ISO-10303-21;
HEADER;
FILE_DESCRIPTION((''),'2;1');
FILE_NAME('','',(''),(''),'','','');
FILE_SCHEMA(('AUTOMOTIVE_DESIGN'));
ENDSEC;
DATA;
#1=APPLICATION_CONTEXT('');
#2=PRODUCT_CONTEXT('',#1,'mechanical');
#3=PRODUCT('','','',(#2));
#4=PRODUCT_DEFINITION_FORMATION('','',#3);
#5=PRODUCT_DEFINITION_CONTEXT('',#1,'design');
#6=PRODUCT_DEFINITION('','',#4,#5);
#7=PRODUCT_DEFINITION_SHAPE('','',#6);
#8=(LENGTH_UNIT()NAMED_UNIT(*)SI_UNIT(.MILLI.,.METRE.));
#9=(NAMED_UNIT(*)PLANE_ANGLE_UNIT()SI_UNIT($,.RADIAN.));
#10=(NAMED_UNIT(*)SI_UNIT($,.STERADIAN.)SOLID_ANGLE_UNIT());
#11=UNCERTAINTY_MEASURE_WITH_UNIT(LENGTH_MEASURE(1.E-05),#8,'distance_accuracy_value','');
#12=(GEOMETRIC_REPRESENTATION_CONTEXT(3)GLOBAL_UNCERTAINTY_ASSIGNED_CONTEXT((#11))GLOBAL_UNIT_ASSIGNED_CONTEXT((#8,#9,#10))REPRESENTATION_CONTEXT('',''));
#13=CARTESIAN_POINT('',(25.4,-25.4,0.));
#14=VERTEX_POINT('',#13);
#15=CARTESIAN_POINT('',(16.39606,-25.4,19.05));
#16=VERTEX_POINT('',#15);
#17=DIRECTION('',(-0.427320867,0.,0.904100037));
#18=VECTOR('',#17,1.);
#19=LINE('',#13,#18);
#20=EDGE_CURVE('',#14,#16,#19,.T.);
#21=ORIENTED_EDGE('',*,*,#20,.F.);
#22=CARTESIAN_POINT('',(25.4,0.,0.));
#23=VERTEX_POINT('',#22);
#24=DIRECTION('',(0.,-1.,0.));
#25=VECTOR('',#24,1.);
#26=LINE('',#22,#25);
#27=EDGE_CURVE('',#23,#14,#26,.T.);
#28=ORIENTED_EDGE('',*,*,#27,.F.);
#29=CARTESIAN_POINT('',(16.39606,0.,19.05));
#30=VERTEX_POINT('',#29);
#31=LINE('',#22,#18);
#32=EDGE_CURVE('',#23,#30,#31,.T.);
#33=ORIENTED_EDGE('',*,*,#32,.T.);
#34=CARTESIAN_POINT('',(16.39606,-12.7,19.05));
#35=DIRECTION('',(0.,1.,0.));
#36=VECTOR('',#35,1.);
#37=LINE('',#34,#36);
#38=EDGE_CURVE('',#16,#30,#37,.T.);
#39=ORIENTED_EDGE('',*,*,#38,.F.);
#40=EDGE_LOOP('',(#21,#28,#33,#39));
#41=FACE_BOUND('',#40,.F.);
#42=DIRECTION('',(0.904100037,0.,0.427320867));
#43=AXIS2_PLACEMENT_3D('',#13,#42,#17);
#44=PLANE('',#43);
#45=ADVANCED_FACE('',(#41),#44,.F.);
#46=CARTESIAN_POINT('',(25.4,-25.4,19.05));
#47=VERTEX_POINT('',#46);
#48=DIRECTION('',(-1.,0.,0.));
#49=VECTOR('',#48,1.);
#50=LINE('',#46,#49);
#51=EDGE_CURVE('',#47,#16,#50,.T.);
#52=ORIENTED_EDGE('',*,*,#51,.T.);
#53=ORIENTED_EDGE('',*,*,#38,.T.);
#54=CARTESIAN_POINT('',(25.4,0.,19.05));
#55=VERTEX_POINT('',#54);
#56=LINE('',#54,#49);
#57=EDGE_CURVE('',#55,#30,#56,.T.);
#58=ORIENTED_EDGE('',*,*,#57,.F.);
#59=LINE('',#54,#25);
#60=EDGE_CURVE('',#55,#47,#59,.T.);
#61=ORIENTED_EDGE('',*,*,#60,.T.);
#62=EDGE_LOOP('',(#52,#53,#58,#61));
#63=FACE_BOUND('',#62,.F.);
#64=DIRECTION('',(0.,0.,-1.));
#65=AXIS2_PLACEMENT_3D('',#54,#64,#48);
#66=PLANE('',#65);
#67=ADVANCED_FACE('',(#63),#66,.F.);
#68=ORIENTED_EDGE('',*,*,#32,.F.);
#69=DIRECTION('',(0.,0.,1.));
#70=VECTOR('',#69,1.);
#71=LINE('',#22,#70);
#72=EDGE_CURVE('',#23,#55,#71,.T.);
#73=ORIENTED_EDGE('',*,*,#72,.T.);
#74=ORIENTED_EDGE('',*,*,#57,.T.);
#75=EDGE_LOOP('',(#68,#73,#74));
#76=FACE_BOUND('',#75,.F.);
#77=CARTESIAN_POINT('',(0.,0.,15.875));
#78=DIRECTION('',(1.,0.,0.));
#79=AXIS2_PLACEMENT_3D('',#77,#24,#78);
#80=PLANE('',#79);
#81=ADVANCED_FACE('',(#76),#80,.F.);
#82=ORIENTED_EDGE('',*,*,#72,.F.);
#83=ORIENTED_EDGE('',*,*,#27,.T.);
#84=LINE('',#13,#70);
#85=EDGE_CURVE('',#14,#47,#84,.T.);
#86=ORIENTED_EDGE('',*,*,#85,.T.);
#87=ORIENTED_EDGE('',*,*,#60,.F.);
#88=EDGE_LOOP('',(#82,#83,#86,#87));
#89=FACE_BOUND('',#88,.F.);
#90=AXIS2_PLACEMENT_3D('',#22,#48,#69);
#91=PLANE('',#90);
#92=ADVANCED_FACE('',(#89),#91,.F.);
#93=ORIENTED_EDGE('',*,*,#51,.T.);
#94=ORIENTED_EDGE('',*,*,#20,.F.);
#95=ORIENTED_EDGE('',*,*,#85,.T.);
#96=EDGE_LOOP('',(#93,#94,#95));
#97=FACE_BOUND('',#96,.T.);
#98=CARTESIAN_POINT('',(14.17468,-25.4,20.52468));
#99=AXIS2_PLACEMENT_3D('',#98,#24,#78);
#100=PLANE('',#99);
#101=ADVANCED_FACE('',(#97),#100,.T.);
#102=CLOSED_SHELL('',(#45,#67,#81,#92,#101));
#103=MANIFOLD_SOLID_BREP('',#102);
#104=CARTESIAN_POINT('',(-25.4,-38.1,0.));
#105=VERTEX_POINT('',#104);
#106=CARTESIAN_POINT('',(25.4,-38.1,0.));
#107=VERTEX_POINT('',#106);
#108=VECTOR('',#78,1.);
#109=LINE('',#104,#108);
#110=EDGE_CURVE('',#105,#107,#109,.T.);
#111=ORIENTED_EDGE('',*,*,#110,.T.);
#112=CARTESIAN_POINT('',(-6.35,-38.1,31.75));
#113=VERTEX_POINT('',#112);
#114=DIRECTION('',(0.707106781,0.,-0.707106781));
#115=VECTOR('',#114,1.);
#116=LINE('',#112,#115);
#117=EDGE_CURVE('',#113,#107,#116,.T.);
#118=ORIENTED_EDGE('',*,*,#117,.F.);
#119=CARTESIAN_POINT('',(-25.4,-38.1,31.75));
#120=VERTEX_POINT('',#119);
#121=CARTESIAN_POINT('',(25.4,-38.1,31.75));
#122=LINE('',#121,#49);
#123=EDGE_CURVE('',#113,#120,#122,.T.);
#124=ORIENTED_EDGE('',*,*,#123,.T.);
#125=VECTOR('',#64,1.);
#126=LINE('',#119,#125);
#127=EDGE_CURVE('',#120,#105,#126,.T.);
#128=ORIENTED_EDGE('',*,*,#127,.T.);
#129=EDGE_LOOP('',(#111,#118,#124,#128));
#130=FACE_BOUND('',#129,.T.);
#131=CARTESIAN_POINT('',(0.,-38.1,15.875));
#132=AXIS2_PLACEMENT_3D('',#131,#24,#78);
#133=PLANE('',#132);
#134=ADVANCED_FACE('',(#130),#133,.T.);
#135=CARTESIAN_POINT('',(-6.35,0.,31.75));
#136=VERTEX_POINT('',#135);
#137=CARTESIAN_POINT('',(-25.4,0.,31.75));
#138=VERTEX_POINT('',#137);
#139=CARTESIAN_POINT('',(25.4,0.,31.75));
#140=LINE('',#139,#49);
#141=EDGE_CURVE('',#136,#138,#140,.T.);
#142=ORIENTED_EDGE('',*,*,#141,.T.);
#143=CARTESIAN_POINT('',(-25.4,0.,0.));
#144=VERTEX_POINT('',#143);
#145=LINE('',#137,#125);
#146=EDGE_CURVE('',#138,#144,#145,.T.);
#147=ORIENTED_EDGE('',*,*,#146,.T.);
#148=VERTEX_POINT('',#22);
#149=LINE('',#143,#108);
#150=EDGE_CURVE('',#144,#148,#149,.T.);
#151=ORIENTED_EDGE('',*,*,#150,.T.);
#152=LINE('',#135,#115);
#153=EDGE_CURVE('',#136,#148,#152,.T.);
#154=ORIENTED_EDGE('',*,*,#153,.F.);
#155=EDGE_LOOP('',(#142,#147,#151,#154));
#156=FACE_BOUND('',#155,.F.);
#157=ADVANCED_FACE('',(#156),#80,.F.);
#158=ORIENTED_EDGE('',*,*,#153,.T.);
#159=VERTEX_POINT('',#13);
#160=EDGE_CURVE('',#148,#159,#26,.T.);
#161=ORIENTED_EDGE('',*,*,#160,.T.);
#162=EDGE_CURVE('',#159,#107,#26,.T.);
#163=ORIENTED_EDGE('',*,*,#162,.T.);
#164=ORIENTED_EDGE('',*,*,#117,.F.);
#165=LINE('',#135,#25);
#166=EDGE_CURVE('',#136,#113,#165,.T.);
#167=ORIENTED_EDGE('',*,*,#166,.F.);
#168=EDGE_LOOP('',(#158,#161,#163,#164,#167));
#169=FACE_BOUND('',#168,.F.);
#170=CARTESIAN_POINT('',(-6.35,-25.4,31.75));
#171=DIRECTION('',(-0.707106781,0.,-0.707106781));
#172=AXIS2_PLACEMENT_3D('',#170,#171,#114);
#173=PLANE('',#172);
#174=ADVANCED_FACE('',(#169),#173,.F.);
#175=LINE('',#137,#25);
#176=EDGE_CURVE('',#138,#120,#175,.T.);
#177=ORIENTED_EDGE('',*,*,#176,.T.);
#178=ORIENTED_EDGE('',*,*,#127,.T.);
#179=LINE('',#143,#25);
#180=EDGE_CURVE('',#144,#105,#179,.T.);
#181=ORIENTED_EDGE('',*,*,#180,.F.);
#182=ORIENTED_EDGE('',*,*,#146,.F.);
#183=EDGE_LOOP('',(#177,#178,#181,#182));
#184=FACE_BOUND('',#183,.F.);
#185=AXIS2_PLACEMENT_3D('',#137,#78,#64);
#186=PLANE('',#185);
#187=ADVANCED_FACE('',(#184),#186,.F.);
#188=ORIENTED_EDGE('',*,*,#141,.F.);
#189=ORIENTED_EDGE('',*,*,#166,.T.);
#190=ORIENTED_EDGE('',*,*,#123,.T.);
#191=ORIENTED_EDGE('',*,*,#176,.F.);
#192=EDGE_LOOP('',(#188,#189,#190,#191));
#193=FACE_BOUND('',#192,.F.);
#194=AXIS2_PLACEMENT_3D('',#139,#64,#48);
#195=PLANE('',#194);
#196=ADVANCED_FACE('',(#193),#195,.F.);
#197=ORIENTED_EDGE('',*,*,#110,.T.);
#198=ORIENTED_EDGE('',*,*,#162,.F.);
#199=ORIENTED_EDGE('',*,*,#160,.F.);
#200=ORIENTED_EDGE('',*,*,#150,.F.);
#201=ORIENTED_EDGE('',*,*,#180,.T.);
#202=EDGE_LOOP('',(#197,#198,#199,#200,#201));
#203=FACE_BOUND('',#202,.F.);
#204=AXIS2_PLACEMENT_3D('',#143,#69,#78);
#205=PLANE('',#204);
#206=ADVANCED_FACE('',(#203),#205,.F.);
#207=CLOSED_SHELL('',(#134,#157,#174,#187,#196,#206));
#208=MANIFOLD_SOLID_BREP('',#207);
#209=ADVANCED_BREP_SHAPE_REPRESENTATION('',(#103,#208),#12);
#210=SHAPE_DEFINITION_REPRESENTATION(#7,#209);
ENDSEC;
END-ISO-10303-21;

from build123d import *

# Parameters (mm, degrees)
F1_DEPTH = 38.1
F3_DEPTH = 12.7
F5_DEPTH = 25.4
F6_DEPTH = 12.7


with BuildPart() as f1:
    # F0 (on Front) → F1 (new body)
    with BuildSketch(Plane.XZ):
        Polygon((-25.4, 0), (0, 0), (25.4, 0), (25.4, 31.75), (-25.4, 31.75), align=None)
    extrude(amount=F1_DEPTH)

    # F2 (on face) → F3 (cut)
    with BuildSketch(Plane.XZ.offset(38.1)):
        Polygon((25.4, 31.75), (-6.35, 31.75), (25.4, 0), align=None)
    extrude(amount=-F3_DEPTH, mode=Mode.SUBTRACT)

    # F4 (on face) → F5 (cut)
    with BuildSketch(Plane.XZ.offset(25.4)):
        Polygon((25.4, 0), (10.3934332728, 31.75), (-6.35, 31.75), align=None)
    extrude(amount=-F5_DEPTH, mode=Mode.SUBTRACT)

    # F6 (cut): a face of the model
    f6_faces = [f1.faces().sort_by_distance(p)[0] for p in [
        (17.8967166364, -12.7, 31.75),
    ]]
    extrude(f6_faces, amount=-F6_DEPTH, mode=Mode.SUBTRACT)


solid = f1.part
